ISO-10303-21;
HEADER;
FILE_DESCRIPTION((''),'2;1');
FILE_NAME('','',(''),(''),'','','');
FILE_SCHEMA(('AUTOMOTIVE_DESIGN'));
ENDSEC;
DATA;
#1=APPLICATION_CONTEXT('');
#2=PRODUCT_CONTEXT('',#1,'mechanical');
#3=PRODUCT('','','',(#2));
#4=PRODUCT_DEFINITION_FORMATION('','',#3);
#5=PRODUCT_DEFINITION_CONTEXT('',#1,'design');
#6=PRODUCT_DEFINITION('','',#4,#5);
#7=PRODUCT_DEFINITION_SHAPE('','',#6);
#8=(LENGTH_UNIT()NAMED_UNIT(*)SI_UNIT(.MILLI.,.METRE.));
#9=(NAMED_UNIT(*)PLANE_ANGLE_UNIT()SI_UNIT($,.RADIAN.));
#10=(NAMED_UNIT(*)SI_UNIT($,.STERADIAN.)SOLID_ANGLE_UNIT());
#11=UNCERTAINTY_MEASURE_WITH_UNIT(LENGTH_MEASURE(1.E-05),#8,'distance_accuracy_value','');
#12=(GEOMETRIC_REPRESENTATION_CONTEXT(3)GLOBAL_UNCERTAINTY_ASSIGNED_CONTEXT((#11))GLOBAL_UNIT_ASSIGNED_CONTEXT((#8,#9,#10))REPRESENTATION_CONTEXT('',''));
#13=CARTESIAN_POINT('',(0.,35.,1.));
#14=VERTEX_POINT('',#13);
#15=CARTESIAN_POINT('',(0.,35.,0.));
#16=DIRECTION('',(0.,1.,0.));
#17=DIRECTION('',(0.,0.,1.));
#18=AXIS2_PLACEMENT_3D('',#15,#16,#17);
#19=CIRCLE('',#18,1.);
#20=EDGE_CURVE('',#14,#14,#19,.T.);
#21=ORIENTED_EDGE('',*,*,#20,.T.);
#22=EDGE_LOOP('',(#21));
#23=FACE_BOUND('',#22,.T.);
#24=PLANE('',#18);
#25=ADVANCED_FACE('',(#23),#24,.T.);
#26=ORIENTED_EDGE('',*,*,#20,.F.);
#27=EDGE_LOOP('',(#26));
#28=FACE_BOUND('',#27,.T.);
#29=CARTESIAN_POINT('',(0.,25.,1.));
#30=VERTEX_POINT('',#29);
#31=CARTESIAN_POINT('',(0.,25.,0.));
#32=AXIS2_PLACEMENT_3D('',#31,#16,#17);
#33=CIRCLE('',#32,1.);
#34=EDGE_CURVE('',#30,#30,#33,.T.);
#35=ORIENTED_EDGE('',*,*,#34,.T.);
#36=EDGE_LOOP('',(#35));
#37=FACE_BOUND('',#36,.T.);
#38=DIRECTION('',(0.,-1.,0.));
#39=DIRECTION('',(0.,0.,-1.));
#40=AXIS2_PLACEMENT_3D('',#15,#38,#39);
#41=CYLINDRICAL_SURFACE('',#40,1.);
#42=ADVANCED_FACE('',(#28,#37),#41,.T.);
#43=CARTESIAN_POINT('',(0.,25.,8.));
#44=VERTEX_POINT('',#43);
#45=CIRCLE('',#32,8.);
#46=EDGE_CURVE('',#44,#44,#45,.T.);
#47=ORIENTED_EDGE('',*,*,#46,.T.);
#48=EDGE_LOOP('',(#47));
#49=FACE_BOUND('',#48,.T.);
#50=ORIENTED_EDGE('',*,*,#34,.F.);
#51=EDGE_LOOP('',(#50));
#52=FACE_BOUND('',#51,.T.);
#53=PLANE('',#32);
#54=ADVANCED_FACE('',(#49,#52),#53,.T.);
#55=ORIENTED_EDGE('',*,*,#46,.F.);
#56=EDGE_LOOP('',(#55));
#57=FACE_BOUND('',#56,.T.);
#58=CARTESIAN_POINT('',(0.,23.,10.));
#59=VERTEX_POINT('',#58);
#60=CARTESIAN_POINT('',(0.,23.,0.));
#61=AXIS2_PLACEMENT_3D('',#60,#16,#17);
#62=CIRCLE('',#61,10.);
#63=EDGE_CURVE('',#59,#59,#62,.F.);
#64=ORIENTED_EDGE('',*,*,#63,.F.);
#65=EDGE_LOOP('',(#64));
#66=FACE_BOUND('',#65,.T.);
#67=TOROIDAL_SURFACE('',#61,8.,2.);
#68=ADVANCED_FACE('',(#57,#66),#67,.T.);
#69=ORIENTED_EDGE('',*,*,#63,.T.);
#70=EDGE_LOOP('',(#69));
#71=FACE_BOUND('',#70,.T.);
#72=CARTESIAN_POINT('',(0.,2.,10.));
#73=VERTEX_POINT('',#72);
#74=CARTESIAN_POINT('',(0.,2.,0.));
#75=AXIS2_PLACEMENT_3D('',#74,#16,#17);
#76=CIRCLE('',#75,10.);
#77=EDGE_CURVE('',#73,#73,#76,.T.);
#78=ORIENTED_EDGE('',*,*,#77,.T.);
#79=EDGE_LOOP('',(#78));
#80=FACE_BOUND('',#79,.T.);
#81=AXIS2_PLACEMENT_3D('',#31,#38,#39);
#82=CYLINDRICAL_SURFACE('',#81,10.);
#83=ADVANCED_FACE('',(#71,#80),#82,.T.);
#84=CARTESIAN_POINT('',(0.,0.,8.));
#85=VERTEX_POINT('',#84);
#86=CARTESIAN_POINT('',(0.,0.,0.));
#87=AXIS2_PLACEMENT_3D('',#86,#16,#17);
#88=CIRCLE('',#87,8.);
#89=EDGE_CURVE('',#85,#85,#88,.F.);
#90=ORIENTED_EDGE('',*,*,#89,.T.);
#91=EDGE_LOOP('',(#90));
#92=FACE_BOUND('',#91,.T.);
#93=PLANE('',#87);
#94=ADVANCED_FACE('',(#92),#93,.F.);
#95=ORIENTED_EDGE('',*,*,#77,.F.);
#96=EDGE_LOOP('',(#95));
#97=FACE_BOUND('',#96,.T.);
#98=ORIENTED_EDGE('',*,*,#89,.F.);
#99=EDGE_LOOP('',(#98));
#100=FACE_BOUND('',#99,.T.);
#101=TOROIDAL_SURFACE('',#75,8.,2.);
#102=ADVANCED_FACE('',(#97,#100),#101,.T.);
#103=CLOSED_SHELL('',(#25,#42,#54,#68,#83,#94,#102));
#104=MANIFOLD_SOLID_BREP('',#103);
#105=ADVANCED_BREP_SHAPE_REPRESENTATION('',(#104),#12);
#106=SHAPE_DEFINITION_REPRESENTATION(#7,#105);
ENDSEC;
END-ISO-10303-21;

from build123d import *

# Parameters (mm, degrees)
SKETCH1_R           = 10
BOSS_EXTRUDE1_DEPTH = 25
SKETCH2_R           = 1
BOSS_EXTRUDE2_DEPTH = 10
FILLET1_R           = 2


with BuildPart() as part:
    # Sketch1 → Boss-Extrude1 (new body)
    with BuildSketch(Plane(origin=(0, 0, 0), x_dir=(1, 0, 0), z_dir=(0, 1, 0))):
        Circle(SKETCH1_R)
    extrude(amount=BOSS_EXTRUDE1_DEPTH)

    # Sketch2 → Boss-Extrude2 (add)
    with BuildSketch(Plane(origin=(0, 25, 0), x_dir=(1, 0, 0), z_dir=(0, 1, 0))):
        Circle(SKETCH2_R)
    extrude(amount=BOSS_EXTRUDE2_DEPTH)

    # Fillet1
    fillet1_edges = [part.edges().sort_by_distance(p)[0] for p in [
        (-10, 0, 0),
        (-10, 25, 0),
    ]]
    fillet(fillet1_edges, radius=FILLET1_R)


solid = part.part
